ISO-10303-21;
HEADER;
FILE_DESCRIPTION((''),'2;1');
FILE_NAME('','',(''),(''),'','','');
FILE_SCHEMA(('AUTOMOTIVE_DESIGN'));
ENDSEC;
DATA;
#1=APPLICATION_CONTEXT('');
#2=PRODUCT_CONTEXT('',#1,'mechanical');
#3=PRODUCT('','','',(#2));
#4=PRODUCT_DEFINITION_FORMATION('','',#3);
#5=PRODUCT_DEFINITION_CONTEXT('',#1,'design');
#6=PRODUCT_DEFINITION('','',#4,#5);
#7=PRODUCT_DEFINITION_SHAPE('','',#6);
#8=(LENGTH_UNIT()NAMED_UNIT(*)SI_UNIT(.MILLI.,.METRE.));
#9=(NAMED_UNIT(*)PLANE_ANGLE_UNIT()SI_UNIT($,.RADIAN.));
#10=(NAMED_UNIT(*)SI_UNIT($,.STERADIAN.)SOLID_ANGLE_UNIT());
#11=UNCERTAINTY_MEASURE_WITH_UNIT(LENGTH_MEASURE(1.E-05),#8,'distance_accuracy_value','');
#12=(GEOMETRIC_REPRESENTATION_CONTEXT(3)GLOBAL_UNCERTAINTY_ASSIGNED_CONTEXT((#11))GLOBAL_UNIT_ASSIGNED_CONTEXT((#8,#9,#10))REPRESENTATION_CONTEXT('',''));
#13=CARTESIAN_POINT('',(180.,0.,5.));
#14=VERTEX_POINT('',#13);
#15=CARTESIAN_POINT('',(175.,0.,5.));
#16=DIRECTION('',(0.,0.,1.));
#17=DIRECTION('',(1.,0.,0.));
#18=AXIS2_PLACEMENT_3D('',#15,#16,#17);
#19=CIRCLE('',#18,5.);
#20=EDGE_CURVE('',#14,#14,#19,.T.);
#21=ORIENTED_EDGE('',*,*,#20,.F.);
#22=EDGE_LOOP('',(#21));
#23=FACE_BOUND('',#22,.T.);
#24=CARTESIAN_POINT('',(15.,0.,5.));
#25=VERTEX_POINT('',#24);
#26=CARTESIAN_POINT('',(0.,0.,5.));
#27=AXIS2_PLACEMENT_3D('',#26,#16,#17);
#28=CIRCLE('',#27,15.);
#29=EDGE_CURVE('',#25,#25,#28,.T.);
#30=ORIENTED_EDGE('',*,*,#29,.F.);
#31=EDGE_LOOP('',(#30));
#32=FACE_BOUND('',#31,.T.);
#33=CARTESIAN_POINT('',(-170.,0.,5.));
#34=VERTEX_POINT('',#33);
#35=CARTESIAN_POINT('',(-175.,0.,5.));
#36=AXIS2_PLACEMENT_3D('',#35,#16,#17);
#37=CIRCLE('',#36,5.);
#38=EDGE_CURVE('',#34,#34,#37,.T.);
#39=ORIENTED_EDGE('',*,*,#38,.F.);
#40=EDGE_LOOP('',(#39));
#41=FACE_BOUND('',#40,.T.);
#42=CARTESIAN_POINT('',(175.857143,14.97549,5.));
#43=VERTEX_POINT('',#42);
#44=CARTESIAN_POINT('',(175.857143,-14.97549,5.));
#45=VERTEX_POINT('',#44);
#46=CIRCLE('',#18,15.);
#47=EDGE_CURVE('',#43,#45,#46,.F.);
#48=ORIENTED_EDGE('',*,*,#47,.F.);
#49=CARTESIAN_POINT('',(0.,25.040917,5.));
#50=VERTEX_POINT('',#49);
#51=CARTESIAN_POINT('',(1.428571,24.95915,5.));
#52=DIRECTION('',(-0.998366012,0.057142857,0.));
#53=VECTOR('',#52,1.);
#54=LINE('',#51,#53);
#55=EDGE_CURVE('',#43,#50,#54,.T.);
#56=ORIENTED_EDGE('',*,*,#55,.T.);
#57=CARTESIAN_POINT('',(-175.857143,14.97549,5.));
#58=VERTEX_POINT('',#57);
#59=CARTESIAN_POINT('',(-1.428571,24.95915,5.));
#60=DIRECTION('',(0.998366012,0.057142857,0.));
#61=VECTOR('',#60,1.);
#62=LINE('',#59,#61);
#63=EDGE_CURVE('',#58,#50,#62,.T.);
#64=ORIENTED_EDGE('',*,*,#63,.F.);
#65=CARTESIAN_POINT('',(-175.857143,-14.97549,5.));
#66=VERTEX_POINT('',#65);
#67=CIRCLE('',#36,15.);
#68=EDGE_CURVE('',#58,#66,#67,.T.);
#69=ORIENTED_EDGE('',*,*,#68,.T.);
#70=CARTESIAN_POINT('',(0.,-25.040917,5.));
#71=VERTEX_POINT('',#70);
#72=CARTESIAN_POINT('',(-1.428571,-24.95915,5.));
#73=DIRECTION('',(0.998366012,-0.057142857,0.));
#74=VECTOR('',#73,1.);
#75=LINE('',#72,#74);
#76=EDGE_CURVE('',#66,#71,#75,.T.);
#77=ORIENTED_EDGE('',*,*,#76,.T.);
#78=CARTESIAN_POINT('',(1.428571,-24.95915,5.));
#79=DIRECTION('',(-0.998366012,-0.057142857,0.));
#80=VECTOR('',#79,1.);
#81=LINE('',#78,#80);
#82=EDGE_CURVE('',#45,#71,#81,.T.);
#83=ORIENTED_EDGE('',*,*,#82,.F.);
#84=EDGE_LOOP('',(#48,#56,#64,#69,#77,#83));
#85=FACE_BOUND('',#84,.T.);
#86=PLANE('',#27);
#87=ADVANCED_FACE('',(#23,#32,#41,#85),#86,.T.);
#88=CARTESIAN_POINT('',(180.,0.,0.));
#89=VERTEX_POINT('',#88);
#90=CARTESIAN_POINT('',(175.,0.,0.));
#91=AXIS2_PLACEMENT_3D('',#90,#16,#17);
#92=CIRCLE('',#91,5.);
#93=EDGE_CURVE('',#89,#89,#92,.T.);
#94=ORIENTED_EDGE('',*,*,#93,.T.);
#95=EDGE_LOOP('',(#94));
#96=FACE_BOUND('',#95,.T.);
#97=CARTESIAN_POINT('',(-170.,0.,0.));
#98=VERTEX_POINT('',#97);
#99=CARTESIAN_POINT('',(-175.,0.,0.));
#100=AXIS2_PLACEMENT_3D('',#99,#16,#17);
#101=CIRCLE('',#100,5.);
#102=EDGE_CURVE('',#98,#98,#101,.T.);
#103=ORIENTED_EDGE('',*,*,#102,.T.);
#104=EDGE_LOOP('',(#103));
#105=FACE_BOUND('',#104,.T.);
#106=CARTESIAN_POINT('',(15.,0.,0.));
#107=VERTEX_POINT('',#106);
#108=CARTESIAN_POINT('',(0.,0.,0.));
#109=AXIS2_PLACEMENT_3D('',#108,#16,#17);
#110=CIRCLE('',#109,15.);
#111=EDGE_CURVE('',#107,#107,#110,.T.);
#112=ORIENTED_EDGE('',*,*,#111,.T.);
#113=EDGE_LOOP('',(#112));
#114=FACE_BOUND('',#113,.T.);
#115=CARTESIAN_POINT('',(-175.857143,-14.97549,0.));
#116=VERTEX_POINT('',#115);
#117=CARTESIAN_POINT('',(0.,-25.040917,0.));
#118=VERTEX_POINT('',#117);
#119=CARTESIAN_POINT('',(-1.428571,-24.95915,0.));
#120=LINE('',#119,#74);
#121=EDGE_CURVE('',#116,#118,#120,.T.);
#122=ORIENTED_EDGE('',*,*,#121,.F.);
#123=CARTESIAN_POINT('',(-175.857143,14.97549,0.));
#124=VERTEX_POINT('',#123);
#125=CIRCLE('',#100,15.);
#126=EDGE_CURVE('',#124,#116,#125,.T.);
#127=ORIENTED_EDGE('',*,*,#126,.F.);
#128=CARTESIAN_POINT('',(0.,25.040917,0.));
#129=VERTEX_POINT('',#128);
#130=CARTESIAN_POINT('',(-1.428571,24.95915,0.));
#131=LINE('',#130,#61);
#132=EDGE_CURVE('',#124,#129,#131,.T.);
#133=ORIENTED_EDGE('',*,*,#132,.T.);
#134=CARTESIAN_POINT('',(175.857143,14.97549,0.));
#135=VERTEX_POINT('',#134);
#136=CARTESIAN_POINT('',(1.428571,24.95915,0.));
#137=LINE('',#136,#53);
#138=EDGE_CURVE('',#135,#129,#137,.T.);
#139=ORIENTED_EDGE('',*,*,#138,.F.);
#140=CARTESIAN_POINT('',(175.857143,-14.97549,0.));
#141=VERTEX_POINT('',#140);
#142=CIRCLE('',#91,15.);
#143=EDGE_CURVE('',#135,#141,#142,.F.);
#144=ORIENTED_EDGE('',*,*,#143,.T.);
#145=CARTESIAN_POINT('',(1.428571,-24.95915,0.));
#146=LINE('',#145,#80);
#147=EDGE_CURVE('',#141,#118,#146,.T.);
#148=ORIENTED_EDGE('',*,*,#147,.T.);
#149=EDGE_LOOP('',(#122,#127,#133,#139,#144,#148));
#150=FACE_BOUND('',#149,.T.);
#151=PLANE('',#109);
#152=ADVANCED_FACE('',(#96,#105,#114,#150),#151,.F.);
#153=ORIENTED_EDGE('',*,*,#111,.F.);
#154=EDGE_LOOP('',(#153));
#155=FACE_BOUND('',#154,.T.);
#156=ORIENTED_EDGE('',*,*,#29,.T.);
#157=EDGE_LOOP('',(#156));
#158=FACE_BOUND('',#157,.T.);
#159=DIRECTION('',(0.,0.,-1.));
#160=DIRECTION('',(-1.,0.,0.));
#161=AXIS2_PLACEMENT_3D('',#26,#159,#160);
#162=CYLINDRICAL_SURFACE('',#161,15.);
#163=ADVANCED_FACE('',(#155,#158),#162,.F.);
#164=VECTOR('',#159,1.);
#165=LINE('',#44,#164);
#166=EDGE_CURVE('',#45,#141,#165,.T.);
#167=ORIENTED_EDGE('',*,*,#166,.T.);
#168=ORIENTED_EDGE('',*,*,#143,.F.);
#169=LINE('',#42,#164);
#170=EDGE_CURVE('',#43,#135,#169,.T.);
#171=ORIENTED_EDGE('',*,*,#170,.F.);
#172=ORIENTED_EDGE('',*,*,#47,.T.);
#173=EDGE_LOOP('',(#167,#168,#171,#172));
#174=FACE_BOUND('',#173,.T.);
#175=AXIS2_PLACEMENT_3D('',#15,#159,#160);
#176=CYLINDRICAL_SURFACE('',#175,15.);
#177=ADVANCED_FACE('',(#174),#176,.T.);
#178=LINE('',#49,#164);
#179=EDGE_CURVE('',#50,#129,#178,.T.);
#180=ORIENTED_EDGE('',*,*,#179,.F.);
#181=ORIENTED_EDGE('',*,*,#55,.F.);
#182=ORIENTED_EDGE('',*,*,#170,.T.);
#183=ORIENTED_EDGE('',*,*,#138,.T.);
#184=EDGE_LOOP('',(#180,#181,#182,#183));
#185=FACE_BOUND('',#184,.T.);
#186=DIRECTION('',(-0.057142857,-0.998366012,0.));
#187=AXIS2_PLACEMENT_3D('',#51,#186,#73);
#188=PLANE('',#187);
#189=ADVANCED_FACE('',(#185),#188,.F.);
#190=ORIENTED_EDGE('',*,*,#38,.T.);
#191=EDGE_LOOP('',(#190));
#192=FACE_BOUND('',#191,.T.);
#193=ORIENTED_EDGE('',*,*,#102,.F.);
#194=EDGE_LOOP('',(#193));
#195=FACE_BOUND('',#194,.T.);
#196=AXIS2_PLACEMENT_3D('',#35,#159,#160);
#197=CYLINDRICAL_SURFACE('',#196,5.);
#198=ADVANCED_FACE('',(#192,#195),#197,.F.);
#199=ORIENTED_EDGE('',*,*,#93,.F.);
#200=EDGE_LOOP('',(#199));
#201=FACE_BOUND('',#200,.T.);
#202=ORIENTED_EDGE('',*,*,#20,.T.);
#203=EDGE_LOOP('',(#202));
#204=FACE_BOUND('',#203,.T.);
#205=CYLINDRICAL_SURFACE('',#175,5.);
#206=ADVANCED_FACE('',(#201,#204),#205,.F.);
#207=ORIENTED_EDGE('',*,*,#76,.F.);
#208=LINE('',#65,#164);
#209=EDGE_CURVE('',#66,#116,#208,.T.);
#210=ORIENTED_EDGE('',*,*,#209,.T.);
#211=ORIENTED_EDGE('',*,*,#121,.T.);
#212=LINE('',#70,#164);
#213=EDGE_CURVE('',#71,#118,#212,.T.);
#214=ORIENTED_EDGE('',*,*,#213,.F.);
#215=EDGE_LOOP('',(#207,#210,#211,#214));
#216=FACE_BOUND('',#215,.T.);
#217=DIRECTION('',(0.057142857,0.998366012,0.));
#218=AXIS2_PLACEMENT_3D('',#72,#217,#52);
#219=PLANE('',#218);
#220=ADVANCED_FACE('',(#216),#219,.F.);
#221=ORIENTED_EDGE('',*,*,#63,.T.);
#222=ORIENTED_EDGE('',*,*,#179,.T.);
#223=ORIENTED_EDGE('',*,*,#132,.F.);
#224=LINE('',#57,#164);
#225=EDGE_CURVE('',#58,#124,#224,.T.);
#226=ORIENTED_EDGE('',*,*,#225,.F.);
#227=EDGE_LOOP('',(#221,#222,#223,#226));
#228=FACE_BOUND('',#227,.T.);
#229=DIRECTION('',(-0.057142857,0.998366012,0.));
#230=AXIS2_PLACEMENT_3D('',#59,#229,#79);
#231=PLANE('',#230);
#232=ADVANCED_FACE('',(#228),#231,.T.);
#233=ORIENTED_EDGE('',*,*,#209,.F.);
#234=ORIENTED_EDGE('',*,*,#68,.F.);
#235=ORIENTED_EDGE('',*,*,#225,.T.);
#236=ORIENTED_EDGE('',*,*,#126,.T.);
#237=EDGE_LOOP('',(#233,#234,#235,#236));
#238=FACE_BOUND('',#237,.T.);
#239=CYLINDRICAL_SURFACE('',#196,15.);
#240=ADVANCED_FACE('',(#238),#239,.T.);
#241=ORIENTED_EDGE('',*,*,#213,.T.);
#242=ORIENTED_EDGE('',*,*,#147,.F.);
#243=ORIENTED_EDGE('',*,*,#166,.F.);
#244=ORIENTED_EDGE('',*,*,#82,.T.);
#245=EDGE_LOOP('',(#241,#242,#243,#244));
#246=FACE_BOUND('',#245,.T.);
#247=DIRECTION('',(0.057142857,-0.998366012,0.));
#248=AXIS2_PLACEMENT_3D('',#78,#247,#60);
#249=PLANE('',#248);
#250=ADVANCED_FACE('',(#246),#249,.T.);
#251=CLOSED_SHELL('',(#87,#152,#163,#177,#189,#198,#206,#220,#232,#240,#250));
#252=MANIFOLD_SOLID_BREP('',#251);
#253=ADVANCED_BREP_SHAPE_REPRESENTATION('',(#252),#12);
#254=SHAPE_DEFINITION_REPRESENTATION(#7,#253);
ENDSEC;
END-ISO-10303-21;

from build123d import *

# Parameters (mm, degrees)
SKETCH1_R           = 5
SKETCH1_R_2         = 15
BOSS_EXTRUDE1_DEPTH = 5


with BuildPart() as part:
    # Sketch1 → Boss-Extrude1 (new body)
    with BuildSketch(Plane.XY):
        with BuildLine():
            Line((0, 25.040916558), (-175.857142857, 14.97549018))
            ThreePointArc((-175.857142857, 14.97549018), (-190, 0), (-175.857142857, -14.97549018))
            Line((-175.857142857, -14.97549018), (0, -25.040916558))
            Line((0, -25.040916558), (175.857142857, -14.97549018))
            ThreePointArc((175.857142857, -14.97549018), (190, 0), (175.857142857, 14.97549018))
            Line((175.857142857, 14.97549018), (0, 25.040916558))
        make_face()
        with Locations((-175, 0)):
            Circle(SKETCH1_R, mode=Mode.SUBTRACT)
        Circle(SKETCH1_R_2, mode=Mode.SUBTRACT)
        with Locations((175, 0)):
            Circle(SKETCH1_R, mode=Mode.SUBTRACT)
    extrude(amount=BOSS_EXTRUDE1_DEPTH)


solid = part.part
